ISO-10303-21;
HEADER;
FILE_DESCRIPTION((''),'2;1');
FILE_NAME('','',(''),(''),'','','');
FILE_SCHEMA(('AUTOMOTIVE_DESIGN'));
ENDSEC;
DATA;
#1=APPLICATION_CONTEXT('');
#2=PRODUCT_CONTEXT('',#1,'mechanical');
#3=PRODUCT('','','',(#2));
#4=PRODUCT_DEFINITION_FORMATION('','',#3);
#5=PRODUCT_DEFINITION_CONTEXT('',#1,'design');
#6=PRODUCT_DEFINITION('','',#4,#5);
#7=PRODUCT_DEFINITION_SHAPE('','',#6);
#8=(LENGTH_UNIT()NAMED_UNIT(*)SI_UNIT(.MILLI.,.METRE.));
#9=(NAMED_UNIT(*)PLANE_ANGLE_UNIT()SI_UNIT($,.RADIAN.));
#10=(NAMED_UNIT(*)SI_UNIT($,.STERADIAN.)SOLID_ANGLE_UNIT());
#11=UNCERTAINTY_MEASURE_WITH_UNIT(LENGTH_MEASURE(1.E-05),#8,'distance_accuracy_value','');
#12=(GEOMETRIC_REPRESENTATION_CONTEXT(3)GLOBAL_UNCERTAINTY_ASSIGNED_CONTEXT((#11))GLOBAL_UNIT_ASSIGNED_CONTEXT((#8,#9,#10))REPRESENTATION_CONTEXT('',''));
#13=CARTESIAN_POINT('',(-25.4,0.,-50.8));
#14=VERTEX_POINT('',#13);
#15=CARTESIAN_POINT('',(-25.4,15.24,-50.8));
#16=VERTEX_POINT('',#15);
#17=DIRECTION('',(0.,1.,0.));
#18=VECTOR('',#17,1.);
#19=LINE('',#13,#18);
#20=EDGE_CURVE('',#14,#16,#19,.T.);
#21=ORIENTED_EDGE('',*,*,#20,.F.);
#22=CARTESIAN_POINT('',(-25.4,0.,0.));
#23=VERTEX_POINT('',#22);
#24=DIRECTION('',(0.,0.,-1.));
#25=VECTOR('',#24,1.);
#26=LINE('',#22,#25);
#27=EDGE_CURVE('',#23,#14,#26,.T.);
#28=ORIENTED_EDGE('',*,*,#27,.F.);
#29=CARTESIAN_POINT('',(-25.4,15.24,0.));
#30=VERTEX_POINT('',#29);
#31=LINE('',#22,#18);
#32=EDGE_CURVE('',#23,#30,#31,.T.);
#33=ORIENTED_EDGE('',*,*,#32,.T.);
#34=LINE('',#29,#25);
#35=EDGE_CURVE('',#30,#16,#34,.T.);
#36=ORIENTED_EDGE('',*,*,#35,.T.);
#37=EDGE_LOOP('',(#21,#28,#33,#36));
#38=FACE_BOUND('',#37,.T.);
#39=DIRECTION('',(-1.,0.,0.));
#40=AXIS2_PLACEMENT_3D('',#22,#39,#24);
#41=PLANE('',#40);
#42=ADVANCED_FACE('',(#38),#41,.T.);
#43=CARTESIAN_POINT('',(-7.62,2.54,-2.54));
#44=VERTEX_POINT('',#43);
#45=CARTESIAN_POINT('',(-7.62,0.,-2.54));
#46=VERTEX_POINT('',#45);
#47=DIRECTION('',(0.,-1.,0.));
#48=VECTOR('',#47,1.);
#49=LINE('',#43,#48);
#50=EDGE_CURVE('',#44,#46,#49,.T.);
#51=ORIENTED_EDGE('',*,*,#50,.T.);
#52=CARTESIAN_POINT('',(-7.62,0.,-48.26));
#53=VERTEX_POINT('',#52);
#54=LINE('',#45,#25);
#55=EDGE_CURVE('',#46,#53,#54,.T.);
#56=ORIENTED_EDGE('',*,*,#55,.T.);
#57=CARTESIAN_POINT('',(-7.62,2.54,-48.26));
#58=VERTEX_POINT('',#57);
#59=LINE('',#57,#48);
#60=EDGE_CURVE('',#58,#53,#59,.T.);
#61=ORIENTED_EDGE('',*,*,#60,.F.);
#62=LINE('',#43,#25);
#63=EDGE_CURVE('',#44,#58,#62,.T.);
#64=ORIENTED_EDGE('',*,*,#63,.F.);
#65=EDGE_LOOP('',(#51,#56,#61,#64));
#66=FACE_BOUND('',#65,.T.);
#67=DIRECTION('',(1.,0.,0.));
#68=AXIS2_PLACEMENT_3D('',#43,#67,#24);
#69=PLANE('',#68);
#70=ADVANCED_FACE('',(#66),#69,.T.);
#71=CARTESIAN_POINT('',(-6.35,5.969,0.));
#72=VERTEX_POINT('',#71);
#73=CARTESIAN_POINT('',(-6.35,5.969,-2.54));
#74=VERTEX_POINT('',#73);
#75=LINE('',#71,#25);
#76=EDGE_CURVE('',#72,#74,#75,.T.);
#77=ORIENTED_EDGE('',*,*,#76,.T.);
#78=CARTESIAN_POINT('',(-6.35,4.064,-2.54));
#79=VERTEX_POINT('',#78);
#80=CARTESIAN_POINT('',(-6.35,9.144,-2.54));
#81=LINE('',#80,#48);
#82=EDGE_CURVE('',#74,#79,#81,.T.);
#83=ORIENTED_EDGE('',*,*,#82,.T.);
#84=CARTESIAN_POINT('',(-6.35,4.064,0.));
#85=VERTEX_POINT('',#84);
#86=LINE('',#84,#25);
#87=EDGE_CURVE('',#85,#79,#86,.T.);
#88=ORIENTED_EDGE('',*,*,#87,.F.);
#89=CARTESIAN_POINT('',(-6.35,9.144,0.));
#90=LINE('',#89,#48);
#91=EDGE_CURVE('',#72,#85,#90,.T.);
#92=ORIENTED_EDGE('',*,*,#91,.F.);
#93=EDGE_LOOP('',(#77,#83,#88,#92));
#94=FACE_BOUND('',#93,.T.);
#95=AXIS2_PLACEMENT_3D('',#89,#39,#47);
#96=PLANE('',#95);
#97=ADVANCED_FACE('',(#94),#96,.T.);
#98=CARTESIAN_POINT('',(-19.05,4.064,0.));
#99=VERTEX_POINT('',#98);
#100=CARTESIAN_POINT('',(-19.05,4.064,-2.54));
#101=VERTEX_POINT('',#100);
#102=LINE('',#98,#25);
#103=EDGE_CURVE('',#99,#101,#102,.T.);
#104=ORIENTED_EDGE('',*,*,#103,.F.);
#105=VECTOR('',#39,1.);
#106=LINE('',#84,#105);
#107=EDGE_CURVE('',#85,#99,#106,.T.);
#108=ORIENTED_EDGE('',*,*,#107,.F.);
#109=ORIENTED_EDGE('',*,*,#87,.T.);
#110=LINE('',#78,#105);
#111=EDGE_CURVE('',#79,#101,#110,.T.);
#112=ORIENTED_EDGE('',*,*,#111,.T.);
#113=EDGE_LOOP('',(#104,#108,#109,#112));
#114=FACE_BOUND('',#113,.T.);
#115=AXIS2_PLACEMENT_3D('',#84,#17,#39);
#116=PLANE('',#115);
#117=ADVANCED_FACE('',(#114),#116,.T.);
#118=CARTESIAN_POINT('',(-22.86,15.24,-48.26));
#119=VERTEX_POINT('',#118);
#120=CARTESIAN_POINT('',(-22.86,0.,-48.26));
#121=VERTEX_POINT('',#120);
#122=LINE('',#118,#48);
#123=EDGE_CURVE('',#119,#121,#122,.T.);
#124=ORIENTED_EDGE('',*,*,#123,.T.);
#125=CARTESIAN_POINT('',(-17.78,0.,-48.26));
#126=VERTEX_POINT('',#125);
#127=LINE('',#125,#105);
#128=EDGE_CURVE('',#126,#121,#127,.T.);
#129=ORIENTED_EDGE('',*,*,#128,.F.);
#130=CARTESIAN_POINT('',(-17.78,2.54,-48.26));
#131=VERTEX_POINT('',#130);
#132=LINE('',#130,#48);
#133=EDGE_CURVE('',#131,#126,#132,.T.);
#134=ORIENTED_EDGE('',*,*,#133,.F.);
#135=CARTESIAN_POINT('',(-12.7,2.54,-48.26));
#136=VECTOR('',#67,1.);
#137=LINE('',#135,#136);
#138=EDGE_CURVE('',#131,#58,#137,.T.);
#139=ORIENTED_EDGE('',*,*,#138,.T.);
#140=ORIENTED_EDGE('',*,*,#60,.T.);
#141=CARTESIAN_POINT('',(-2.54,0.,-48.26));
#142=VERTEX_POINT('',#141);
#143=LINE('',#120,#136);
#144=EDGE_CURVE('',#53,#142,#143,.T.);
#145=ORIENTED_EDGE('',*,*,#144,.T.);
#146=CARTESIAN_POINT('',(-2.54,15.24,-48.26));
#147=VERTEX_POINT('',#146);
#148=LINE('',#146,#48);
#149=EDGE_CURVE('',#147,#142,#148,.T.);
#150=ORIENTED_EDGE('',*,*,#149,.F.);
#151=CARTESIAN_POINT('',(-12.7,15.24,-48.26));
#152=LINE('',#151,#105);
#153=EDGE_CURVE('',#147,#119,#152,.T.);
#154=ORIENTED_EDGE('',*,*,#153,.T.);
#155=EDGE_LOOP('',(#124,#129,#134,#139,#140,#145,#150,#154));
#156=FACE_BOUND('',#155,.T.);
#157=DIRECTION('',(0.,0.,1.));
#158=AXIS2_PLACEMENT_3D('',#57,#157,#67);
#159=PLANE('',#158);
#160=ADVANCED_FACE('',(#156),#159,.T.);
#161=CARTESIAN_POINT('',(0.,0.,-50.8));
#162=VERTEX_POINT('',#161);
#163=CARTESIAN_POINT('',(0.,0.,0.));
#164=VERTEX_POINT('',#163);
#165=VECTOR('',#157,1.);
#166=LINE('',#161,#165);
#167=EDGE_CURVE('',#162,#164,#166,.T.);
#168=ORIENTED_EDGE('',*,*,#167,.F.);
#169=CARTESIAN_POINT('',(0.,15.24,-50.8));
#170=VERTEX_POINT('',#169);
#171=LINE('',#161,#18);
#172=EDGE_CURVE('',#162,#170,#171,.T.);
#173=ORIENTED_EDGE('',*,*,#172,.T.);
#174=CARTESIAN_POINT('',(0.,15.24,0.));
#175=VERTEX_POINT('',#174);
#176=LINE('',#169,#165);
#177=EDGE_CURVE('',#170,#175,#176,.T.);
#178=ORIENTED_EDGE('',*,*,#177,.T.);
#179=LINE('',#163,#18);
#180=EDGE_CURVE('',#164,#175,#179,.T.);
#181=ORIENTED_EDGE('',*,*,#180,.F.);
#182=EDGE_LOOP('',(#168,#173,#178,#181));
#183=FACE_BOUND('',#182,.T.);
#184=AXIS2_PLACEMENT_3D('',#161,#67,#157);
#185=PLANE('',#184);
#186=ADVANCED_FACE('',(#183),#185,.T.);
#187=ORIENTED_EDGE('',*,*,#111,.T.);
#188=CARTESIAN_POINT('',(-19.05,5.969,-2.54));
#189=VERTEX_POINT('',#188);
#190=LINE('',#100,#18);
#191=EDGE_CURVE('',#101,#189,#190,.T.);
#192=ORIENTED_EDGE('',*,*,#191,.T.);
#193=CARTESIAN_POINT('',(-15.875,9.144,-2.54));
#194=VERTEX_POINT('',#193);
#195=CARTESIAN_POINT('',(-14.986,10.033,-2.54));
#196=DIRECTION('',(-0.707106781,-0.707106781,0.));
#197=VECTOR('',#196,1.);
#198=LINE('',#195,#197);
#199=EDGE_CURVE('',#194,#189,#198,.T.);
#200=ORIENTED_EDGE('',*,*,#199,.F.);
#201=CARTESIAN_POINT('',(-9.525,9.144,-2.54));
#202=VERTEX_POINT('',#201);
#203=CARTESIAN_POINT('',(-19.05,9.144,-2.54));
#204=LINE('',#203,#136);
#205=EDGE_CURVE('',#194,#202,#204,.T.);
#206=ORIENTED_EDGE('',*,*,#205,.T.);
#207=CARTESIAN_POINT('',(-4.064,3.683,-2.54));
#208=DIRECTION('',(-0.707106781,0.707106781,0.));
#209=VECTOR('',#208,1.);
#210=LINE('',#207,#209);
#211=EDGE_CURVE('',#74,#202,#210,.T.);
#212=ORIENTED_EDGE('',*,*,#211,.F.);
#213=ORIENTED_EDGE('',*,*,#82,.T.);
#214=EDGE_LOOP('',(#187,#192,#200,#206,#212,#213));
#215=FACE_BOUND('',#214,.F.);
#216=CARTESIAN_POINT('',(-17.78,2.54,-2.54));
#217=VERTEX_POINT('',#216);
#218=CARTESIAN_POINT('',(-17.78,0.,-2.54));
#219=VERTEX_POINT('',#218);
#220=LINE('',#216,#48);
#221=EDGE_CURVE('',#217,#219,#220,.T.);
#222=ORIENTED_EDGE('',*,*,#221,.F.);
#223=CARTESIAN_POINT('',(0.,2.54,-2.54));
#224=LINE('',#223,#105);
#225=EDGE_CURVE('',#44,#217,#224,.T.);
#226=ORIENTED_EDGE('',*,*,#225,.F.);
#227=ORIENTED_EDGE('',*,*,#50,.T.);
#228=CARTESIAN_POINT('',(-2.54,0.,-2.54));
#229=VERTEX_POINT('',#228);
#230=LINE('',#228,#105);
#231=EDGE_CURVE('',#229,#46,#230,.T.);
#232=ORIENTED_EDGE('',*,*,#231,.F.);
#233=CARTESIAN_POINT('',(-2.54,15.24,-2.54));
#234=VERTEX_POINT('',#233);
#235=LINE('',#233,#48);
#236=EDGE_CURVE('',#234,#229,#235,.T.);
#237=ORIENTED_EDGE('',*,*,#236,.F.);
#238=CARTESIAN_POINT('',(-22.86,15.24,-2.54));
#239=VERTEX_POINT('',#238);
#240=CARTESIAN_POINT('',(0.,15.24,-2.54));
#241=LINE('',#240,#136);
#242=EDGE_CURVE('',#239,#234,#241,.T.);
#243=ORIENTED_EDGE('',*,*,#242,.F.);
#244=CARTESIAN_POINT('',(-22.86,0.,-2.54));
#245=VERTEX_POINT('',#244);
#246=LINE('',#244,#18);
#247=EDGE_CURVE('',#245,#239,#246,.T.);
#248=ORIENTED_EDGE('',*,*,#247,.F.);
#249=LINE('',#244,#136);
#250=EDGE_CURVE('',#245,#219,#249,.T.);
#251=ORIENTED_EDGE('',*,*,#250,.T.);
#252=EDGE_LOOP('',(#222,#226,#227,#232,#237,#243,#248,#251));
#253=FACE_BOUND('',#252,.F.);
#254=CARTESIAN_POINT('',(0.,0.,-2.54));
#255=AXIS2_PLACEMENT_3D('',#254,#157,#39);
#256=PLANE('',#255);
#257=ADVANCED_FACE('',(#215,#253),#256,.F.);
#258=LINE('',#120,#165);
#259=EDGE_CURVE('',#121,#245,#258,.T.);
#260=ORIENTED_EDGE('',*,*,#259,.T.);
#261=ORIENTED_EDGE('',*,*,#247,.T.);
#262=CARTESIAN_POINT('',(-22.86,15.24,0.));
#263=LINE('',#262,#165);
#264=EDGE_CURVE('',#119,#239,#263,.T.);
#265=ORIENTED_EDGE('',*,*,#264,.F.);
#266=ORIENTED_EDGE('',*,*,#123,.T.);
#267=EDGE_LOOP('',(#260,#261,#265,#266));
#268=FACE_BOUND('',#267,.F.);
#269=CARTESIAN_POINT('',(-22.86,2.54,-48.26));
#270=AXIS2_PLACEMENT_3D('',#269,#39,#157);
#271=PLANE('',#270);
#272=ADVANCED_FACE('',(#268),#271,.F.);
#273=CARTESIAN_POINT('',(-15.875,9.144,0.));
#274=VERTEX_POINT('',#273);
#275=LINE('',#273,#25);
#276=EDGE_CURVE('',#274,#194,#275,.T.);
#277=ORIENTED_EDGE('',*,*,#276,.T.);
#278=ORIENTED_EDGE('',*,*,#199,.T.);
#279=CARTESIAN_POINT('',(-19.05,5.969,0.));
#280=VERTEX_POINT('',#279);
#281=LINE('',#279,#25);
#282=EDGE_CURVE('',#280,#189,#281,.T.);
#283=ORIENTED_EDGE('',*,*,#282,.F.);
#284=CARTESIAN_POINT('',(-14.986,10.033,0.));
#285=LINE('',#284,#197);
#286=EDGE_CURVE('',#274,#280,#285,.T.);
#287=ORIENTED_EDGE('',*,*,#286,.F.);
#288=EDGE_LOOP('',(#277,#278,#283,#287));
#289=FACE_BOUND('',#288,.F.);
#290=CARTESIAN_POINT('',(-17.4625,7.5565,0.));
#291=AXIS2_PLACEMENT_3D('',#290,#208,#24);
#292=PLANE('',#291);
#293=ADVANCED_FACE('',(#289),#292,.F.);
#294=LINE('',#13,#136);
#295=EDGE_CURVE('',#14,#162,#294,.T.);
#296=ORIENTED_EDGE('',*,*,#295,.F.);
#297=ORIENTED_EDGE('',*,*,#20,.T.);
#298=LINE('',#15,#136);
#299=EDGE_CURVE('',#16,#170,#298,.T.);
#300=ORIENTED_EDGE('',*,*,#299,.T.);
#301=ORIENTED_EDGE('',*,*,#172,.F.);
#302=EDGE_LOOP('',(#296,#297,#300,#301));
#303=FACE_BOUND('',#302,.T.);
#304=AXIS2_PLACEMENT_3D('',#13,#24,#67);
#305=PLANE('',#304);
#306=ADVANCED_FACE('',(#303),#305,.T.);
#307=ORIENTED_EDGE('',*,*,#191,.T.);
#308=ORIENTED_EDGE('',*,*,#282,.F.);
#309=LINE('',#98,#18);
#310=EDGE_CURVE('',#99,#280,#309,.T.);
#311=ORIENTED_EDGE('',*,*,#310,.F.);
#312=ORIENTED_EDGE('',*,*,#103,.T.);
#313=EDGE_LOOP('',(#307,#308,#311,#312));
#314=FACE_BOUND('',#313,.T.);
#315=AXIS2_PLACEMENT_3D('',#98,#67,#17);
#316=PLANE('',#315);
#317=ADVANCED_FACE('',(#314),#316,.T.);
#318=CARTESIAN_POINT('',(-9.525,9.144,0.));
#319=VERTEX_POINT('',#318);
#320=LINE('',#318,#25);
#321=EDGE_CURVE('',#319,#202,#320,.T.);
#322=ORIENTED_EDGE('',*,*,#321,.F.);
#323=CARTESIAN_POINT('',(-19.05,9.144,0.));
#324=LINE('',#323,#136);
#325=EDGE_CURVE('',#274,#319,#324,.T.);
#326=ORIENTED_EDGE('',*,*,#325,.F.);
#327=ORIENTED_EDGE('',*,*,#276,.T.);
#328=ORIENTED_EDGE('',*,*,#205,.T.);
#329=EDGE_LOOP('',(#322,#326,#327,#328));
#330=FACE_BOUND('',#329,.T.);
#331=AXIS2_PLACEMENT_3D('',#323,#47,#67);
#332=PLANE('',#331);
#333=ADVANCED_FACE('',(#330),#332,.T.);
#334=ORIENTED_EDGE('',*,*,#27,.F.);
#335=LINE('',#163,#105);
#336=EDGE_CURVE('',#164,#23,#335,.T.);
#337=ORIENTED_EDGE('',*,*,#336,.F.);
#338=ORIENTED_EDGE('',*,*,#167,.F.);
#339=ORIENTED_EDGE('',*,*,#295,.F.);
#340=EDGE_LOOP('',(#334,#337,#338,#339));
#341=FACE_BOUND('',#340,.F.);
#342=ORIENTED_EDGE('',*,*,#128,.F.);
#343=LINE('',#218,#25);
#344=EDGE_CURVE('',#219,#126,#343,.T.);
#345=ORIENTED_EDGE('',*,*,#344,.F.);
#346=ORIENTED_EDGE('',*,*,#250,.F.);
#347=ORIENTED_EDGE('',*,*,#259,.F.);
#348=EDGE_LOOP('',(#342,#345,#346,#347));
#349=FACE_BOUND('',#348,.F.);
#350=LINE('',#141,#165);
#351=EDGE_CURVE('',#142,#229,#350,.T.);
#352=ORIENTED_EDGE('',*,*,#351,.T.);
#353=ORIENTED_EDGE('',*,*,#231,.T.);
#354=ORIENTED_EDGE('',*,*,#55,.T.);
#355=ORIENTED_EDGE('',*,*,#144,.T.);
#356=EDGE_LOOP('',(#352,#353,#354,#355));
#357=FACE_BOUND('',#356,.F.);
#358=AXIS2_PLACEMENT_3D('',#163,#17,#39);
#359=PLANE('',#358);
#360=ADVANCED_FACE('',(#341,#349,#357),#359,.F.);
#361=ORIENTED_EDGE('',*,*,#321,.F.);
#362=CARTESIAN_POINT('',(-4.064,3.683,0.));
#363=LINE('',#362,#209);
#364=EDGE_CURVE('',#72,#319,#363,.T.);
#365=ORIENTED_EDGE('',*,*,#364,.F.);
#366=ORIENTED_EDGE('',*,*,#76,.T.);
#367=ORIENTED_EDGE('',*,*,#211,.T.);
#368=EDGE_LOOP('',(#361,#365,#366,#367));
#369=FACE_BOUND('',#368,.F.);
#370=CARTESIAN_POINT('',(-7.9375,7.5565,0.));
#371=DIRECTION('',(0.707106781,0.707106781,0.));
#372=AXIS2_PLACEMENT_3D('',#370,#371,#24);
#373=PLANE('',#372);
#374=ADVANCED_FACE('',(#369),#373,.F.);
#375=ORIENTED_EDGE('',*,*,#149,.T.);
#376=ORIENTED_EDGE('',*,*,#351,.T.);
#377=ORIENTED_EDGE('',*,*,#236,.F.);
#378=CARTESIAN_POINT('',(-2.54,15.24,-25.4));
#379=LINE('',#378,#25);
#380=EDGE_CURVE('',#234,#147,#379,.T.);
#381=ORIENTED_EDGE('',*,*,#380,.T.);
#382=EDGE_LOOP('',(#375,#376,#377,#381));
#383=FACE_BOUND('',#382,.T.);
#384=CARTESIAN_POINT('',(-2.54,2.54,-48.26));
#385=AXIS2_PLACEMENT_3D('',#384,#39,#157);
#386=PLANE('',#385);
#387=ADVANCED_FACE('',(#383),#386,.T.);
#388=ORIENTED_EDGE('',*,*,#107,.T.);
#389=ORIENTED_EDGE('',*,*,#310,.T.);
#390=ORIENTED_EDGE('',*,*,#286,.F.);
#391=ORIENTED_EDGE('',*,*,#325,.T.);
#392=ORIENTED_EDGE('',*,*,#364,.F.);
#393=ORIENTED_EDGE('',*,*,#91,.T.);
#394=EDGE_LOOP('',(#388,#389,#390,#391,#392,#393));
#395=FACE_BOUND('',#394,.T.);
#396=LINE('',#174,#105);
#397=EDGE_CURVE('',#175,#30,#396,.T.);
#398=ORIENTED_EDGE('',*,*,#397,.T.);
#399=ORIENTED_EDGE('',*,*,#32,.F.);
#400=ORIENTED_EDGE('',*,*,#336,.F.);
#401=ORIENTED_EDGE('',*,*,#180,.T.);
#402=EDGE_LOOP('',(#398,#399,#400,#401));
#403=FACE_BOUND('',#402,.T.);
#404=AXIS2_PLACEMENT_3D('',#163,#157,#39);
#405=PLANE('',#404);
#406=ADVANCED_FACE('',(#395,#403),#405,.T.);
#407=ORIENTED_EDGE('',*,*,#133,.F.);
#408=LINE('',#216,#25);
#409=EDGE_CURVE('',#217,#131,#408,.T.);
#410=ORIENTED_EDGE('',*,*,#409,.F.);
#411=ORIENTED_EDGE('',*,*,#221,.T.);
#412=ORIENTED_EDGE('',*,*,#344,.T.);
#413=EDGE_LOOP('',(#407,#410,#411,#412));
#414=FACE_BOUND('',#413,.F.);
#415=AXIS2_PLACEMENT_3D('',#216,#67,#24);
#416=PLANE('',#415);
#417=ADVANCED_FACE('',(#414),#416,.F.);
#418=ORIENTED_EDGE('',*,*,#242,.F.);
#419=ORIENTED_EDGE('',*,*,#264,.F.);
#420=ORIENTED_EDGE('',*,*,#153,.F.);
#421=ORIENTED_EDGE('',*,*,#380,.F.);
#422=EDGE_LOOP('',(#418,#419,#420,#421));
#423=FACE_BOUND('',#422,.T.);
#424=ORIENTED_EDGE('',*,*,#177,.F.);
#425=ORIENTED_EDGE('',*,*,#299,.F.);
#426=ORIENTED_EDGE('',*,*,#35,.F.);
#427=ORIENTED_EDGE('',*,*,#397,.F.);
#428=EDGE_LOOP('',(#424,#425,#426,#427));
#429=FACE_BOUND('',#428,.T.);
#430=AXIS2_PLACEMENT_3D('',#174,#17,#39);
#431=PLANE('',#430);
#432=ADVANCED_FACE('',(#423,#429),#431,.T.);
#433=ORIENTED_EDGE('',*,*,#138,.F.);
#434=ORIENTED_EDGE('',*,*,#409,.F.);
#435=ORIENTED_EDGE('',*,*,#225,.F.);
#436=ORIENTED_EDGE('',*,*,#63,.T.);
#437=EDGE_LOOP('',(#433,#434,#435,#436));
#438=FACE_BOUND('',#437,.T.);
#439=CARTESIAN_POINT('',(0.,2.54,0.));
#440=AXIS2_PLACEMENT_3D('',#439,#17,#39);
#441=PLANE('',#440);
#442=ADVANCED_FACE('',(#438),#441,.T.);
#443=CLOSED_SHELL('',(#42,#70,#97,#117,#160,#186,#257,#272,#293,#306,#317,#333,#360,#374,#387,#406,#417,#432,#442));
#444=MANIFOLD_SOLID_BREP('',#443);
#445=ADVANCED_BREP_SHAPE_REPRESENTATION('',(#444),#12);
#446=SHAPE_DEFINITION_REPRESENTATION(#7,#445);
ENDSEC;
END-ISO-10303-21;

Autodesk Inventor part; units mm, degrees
ref_plane "YZ Plane" through (0, 0, 0) normal (1, 0, 0) x (0, 1, 0)
ref_plane "XZ Plane" through (0, 0, 0) normal (0, 1, 0) x (-1, 0, 0)
ref_plane "XY Plane" through (0, 0, 0) normal (0, 0, 1) x (1, 0, 0)
sketch "Sketch1" plane through (0, 0, 0) normal (0, 1, 0) x (-1, 0, 0)
  line L0 (0, 0) -> (25.4, 0)
  line L1 (25.4, 0) -> (25.4, -50.8)
  line L2 (25.4, -50.8) -> (0, -50.8)
  line L3 (0, -50.8) -> (0, 0)
  dimension "d0" = 25.4
  dimension "d1" = 50.8
extrude "Extrusion1" add sketch "Sketch1" along normal blind 15.24
shell "Shell1" thickness 2.54 removed faces 1 at (-8.4667, 15.24, -33.8667)
sketch "Sketch3" plane through (-25.4, 0, 0) normal (0, 0, 1) x (1, 0, 0)
  line L0 (19.05, 4.064) -> (6.35, 4.064)
  line L1 (6.35, 4.064) -> (6.35, 9.144)
  line L2 (6.35, 9.144) -> (19.05, 9.144)
  line L3 (19.05, 9.144) -> (19.05, 4.064)
  point P0 (25.4, 0)
  dimension "d20" = 4.064
  dimension "d21" = 12.7
  dimension "d22" = 5.08
  dimension "d23" = 6.35
extrude "Extrusion3" cut sketch "Sketch3" against normal blind 2.54
chamfer "Chamfer1" distance 3.175 angle 45 2 edges at (-19.05, 9.144, -1.27) (-6.35, 9.144, -1.27)
sketch "Sketch5" plane through (-22.86, 2.54, -2.54) normal (0, 1, 0) x (1, 0, 0)
  line L0 (0, 0) -> (5.08, 0)
  line L1 (5.08, 0) -> (5.08, 45.72)
  line L2 (5.08, 45.72) -> (0, 45.72)
  line L3 (0, 45.72) -> (0, 0)
  line L4 (0, 45.72) -> (20.32, 45.72) projected
  line L5 (20.32, 0) -> (15.24, 0)
  line L6 (15.24, 0) -> (15.24, 45.72)
  line L7 (15.24, 45.72) -> (20.32, 45.72)
  line L8 (20.32, 45.72) -> (20.32, 0)
  point P0 (22.86, -2.54)
  dimension "d29" = 5.08
  dimension "d30" = 5.08
extrude "Extrusion4" cut sketch "Sketch5" against normal blind 2.54
properties part number "nano_enclosure"
